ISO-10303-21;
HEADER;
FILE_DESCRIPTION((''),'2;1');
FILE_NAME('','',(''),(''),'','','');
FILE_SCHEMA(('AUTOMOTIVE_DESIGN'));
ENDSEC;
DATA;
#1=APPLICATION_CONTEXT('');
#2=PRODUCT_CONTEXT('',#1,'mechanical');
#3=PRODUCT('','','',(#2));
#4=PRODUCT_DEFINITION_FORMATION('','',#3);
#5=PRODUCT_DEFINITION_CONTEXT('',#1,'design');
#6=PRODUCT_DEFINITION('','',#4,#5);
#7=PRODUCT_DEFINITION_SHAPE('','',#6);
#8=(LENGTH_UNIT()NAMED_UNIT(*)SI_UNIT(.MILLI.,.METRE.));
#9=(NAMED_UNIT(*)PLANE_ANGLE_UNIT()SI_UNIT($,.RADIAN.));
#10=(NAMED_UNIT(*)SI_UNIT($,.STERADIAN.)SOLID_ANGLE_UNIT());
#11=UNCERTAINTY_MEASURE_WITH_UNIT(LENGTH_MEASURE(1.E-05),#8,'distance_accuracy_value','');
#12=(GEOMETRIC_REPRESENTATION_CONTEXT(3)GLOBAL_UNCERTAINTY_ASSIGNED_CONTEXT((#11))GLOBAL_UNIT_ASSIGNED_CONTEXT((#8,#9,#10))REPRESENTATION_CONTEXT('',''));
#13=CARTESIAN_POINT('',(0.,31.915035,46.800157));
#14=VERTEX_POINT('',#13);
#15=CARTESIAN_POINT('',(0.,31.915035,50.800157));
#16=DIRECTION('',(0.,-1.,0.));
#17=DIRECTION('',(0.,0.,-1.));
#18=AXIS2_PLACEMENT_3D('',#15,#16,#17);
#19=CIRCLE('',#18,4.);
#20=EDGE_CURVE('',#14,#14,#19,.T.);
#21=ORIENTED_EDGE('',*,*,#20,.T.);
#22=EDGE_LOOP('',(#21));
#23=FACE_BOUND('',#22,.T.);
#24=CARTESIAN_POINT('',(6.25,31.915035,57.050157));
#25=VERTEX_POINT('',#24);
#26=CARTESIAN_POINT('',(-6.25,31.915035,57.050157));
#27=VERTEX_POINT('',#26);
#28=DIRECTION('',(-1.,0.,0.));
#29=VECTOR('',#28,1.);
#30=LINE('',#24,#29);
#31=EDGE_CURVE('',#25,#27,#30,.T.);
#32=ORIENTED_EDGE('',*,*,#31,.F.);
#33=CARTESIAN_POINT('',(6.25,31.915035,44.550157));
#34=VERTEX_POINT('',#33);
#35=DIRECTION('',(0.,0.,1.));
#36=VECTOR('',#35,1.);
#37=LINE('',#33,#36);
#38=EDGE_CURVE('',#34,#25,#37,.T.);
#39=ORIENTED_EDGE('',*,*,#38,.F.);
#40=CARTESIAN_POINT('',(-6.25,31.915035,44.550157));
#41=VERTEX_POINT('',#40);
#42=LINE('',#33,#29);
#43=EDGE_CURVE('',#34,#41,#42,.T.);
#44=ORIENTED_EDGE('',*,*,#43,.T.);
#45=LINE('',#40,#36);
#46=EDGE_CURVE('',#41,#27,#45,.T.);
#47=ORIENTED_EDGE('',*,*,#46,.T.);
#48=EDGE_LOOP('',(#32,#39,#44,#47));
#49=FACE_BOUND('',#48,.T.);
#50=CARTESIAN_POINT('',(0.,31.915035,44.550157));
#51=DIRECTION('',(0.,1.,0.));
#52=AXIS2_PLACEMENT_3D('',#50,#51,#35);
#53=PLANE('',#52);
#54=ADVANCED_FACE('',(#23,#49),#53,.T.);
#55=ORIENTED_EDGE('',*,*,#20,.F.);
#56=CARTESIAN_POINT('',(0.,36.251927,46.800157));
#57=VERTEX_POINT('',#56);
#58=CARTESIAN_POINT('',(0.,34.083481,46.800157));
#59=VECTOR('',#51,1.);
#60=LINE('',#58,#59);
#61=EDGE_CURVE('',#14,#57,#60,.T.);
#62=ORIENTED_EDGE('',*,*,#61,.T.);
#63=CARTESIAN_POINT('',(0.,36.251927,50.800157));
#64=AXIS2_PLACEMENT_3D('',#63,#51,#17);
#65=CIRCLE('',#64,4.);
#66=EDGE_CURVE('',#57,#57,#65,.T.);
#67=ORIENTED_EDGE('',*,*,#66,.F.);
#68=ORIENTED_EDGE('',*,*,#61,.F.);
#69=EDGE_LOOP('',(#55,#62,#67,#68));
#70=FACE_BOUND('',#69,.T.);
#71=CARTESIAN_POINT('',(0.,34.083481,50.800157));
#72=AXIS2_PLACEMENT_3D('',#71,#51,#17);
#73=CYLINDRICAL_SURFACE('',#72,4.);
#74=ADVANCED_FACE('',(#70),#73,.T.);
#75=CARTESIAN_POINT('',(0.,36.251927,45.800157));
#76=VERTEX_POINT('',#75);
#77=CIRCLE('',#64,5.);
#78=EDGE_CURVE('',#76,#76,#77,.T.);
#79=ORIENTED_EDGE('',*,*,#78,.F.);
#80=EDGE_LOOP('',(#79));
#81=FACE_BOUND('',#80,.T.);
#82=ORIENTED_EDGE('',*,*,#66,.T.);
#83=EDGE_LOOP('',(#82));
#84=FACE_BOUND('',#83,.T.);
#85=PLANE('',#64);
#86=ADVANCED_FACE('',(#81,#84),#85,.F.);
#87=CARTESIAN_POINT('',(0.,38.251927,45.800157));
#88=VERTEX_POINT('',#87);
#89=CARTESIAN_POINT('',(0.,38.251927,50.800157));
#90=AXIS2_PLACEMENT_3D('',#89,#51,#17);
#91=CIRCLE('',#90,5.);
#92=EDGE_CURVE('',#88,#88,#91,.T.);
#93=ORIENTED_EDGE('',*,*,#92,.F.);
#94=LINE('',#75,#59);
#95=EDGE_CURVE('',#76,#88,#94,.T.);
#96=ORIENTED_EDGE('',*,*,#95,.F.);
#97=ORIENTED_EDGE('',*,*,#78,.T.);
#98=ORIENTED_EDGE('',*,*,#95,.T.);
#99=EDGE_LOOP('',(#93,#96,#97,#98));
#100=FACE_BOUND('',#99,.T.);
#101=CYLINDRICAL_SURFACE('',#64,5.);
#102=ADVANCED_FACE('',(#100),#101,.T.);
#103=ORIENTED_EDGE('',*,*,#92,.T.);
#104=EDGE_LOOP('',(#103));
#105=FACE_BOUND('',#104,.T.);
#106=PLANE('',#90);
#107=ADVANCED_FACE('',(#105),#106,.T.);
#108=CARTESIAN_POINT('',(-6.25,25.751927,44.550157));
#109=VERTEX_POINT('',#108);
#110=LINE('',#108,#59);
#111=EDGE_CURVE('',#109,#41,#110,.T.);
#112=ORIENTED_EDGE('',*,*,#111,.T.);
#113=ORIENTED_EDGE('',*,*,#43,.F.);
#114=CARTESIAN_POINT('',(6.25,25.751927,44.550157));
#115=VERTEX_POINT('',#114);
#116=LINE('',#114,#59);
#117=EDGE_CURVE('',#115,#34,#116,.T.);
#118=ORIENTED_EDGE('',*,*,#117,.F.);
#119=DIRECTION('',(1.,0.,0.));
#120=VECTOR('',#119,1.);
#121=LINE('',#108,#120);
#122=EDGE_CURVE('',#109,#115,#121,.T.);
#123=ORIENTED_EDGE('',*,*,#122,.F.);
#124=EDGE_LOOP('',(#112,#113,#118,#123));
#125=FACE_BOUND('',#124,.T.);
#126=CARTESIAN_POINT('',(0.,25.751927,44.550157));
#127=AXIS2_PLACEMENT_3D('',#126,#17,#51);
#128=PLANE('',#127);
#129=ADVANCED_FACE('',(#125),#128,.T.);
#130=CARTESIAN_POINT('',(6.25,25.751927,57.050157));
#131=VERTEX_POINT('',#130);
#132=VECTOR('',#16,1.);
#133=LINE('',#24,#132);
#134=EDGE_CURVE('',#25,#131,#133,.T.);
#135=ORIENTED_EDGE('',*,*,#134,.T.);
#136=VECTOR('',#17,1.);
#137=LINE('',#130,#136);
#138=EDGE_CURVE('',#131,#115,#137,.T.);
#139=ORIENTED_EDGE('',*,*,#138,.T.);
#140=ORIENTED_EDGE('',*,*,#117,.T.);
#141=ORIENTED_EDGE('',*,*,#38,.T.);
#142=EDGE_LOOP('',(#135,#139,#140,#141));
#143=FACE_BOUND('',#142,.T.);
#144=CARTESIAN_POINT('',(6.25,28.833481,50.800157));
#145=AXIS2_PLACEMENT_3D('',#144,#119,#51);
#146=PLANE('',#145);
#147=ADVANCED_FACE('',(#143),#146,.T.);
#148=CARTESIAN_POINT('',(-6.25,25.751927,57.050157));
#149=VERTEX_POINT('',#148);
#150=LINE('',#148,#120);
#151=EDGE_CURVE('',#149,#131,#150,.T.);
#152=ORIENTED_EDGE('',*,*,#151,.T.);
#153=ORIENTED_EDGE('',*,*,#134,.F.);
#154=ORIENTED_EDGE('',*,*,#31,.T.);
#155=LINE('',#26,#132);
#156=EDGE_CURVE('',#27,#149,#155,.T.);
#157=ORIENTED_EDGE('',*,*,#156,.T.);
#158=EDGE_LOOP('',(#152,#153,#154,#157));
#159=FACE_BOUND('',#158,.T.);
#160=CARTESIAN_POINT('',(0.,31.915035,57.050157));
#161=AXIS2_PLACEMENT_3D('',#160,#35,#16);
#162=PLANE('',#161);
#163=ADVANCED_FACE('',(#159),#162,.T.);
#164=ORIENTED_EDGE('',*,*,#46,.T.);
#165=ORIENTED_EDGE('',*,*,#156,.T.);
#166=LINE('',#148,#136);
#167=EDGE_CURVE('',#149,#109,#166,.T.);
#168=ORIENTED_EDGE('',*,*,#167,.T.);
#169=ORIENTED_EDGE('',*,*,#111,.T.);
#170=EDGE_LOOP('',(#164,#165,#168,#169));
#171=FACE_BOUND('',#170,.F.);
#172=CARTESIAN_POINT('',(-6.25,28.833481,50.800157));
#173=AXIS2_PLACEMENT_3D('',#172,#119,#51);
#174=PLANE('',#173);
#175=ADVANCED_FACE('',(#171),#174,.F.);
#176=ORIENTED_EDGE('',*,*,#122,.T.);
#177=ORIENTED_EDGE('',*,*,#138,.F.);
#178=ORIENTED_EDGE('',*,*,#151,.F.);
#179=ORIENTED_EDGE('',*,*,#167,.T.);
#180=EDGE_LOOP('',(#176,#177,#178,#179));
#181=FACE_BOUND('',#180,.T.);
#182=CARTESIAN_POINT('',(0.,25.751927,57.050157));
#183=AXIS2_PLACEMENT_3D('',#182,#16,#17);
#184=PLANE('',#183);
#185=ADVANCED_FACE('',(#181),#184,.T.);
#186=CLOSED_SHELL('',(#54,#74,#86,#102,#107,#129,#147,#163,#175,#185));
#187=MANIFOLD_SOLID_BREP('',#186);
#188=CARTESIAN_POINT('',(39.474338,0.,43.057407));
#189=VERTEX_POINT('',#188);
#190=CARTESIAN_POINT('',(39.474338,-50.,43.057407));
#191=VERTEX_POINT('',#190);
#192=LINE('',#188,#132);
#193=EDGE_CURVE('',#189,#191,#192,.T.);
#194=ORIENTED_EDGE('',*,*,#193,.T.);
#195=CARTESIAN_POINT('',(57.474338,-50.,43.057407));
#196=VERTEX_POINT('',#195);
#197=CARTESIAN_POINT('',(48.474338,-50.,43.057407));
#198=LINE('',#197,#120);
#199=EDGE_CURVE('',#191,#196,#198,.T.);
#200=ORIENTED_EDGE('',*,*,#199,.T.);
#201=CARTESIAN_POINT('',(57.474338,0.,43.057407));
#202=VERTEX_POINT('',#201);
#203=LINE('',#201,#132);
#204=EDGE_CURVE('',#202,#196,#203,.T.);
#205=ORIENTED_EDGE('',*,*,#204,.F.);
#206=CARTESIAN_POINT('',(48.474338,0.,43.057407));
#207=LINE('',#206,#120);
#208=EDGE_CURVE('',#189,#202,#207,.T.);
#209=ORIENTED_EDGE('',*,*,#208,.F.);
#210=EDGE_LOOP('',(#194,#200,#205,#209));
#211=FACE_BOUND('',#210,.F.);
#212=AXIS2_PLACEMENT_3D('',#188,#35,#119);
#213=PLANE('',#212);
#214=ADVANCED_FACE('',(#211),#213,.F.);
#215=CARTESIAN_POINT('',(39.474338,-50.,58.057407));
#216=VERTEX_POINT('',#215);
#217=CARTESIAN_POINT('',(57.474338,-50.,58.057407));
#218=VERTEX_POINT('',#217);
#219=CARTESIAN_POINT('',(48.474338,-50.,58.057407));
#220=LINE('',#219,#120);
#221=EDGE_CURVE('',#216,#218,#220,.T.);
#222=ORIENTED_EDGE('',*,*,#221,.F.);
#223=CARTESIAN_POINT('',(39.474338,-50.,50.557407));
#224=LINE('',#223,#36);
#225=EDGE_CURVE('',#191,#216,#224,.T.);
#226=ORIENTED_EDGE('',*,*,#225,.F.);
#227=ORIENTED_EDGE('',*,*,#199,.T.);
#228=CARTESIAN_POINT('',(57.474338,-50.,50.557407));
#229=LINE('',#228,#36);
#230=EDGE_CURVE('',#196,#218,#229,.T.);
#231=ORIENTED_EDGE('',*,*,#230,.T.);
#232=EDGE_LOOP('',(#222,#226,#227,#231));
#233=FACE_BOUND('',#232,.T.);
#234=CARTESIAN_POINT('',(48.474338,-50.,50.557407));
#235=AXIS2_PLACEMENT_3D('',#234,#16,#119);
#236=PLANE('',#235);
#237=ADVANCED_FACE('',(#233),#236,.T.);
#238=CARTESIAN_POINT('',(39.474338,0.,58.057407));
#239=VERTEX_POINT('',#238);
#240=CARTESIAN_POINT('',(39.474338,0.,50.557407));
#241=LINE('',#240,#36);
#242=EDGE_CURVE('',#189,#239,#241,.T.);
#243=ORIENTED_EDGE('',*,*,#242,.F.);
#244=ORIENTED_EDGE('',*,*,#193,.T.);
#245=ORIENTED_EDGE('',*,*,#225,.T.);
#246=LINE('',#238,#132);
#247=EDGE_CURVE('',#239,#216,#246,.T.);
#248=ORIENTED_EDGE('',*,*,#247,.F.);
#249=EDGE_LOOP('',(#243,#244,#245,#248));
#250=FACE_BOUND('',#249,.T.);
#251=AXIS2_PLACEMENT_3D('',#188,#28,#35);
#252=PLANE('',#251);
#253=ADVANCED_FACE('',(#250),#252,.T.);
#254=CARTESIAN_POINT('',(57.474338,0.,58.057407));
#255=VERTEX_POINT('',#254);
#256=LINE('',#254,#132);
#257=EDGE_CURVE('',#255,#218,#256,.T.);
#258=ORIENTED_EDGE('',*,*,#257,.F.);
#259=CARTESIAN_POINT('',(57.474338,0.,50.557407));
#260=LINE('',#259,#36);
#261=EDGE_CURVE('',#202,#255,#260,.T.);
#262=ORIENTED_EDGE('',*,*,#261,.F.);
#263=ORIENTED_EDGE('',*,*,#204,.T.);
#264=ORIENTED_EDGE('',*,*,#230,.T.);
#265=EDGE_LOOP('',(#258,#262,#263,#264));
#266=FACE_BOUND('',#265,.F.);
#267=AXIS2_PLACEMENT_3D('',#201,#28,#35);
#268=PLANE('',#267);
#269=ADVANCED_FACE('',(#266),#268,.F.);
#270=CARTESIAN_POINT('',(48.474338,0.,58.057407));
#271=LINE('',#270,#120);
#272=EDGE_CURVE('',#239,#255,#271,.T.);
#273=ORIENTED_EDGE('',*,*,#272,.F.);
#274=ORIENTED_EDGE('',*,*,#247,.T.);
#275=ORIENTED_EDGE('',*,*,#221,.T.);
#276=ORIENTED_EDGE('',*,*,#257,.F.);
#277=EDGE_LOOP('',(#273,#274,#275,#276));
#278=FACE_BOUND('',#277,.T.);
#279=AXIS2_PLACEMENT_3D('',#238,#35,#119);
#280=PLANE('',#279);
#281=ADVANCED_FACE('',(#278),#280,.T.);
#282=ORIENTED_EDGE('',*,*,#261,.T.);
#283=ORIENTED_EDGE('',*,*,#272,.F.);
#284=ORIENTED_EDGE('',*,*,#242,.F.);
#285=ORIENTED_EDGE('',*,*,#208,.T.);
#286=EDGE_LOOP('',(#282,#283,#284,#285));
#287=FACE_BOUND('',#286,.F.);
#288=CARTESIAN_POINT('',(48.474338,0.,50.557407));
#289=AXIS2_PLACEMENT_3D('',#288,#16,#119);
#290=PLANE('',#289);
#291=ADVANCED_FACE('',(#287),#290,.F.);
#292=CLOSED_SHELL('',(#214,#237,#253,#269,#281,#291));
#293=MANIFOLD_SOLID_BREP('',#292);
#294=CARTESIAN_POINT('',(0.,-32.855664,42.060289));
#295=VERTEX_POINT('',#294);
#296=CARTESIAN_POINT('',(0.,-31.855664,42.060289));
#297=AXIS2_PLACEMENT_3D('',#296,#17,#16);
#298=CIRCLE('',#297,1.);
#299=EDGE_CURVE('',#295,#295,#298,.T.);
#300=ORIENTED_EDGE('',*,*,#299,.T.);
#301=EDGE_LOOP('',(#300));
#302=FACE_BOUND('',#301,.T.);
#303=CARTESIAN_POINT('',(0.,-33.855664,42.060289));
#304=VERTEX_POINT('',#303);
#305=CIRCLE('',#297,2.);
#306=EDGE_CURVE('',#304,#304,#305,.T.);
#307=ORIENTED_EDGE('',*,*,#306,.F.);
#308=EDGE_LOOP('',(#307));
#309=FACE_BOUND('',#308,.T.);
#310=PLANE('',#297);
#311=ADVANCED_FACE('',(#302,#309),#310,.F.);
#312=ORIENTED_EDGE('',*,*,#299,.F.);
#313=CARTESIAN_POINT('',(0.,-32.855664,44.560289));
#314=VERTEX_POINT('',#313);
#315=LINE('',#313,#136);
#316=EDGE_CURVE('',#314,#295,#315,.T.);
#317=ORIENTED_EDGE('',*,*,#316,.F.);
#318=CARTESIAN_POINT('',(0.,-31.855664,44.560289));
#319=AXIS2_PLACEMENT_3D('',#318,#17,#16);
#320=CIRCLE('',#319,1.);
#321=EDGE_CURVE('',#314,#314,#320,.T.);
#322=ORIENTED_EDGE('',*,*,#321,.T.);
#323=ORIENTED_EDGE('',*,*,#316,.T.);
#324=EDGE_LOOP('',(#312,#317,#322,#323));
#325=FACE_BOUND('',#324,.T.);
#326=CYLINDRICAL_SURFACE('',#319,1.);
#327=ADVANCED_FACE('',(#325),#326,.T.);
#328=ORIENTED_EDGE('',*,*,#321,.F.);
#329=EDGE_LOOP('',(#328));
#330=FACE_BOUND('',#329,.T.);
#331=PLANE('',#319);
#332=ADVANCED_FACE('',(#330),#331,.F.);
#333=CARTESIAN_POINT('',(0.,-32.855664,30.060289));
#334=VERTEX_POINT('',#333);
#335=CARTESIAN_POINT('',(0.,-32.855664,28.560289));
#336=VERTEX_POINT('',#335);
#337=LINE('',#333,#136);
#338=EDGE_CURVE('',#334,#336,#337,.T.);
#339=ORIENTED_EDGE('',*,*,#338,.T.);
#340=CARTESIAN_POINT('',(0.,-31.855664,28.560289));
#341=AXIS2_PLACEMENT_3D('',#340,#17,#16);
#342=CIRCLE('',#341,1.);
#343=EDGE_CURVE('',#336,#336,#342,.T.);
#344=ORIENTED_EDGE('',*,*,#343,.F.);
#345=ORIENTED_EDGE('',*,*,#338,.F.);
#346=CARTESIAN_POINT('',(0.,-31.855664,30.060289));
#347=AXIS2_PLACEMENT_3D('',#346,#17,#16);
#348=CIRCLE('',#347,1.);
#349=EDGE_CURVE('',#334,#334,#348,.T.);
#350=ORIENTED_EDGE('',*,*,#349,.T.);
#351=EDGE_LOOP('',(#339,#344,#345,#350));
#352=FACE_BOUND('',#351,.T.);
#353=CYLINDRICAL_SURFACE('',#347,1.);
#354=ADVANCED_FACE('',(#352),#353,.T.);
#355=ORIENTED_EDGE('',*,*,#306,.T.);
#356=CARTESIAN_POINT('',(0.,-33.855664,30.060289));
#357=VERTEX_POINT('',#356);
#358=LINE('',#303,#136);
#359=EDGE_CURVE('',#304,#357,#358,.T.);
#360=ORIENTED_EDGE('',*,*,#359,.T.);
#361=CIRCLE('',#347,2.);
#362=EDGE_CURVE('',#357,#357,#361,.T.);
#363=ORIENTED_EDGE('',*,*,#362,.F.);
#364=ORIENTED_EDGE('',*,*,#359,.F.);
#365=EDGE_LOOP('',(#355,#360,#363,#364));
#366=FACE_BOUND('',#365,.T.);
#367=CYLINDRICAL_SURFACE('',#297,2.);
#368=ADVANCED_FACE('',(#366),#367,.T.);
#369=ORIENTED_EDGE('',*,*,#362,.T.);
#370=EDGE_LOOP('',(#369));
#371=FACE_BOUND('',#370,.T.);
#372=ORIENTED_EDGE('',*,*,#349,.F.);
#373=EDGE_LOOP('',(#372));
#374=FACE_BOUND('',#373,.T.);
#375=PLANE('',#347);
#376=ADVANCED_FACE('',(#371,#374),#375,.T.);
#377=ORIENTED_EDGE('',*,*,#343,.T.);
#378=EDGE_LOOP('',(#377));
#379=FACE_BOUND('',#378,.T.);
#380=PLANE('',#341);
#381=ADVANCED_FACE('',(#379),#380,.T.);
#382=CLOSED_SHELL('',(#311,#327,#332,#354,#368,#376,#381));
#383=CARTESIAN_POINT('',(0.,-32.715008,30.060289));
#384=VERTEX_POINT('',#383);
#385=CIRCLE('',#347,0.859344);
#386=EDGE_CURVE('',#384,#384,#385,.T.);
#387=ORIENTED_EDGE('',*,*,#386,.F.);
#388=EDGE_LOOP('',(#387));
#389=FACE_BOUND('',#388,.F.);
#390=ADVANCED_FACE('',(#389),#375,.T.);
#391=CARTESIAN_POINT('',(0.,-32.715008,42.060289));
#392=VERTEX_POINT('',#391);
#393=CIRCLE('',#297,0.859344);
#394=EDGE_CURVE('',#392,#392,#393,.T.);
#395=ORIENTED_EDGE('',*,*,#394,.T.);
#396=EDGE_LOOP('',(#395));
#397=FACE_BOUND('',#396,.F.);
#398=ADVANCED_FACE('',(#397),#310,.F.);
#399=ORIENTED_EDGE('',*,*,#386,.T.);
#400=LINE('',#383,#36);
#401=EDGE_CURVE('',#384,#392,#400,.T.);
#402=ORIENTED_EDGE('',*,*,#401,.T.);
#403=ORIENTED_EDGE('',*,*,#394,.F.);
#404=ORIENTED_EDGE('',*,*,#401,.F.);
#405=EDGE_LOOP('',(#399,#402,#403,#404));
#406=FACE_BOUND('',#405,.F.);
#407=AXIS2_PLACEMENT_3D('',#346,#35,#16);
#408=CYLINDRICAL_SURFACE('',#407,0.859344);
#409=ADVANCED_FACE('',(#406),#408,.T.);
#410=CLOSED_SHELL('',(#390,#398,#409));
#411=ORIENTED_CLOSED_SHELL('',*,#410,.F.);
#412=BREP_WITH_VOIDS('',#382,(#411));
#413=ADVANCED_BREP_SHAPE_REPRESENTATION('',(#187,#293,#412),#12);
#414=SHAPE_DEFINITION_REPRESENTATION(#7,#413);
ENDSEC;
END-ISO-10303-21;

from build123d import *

# Parameters (mm, degrees)
F2_W          = 18
F2_H          = 15
F3_DEPTH      = 50
F4_W          = 4.336892
F4_H          = 4
F6_DEPTH      = 6.25
F6_DEPTH_BACK = 6.25


with BuildPart() as f1:
    # F0 (on Right) → F1 (revolve)
    with BuildSketch(Plane.YZ):
        Polygon((-32.855664, 30.060289), (-32.715008, 30.060289), (-32.715008, 32.329431), (-32.715008, 42.060289), (-32.855664, 42.060289), (-33.855664, 42.060289), (-33.855664, 30.060289), align=None)
        Polygon((-31.855664, 28.560289), (-31.855664, 30.060289), (-32.715008, 30.060289), (-32.855664, 30.060289), (-32.855664, 28.560289), align=None)
        Polygon((-32.715008, 42.060289), (-31.855664, 42.060289), (-31.855664, 44.560289), (-32.855664, 44.560289), (-32.855664, 42.060289), align=None)
    revolve(axis=Axis((0, -31.855664, 36.060289), (0, 0, -1)))


with BuildPart() as f3:
    # F2 (on Front) → F3 (new body)
    with BuildSketch(Plane.XZ):
        with Locations((48.474338, 50.557407)):
            Rectangle(F2_W, F2_H)
    extrude(amount=F3_DEPTH)


with BuildPart() as f5:
    # F4 (on Right) → F5 (revolve)
    with BuildSketch(Plane.YZ):
        Polygon((38.251927, 50.800157), (36.251927, 50.800157), (36.251927, 46.800157), (36.251927, 45.800157), (38.251927, 45.800157), align=None)
        with Locations((34.083481, 48.800157)):
            Rectangle(F4_W, F4_H)
    revolve(axis=Axis((0, 37.28378, 50.800157), (0, 1, 0)))

    # F4 (on Right) → F6 (join, two sides)
    with BuildSketch(Plane.YZ) as f6_sk:
        Polygon((31.915035, 57.050157), (25.751927, 57.050157), (25.751927, 44.550157), (31.915035, 44.550157), (31.915035, 46.800157), (31.915035, 50.800157), align=None)
    extrude(amount=F6_DEPTH)
    extrude(f6_sk.sketch, amount=-F6_DEPTH_BACK)


solid = Compound([f1.part, f3.part, f5.part])
